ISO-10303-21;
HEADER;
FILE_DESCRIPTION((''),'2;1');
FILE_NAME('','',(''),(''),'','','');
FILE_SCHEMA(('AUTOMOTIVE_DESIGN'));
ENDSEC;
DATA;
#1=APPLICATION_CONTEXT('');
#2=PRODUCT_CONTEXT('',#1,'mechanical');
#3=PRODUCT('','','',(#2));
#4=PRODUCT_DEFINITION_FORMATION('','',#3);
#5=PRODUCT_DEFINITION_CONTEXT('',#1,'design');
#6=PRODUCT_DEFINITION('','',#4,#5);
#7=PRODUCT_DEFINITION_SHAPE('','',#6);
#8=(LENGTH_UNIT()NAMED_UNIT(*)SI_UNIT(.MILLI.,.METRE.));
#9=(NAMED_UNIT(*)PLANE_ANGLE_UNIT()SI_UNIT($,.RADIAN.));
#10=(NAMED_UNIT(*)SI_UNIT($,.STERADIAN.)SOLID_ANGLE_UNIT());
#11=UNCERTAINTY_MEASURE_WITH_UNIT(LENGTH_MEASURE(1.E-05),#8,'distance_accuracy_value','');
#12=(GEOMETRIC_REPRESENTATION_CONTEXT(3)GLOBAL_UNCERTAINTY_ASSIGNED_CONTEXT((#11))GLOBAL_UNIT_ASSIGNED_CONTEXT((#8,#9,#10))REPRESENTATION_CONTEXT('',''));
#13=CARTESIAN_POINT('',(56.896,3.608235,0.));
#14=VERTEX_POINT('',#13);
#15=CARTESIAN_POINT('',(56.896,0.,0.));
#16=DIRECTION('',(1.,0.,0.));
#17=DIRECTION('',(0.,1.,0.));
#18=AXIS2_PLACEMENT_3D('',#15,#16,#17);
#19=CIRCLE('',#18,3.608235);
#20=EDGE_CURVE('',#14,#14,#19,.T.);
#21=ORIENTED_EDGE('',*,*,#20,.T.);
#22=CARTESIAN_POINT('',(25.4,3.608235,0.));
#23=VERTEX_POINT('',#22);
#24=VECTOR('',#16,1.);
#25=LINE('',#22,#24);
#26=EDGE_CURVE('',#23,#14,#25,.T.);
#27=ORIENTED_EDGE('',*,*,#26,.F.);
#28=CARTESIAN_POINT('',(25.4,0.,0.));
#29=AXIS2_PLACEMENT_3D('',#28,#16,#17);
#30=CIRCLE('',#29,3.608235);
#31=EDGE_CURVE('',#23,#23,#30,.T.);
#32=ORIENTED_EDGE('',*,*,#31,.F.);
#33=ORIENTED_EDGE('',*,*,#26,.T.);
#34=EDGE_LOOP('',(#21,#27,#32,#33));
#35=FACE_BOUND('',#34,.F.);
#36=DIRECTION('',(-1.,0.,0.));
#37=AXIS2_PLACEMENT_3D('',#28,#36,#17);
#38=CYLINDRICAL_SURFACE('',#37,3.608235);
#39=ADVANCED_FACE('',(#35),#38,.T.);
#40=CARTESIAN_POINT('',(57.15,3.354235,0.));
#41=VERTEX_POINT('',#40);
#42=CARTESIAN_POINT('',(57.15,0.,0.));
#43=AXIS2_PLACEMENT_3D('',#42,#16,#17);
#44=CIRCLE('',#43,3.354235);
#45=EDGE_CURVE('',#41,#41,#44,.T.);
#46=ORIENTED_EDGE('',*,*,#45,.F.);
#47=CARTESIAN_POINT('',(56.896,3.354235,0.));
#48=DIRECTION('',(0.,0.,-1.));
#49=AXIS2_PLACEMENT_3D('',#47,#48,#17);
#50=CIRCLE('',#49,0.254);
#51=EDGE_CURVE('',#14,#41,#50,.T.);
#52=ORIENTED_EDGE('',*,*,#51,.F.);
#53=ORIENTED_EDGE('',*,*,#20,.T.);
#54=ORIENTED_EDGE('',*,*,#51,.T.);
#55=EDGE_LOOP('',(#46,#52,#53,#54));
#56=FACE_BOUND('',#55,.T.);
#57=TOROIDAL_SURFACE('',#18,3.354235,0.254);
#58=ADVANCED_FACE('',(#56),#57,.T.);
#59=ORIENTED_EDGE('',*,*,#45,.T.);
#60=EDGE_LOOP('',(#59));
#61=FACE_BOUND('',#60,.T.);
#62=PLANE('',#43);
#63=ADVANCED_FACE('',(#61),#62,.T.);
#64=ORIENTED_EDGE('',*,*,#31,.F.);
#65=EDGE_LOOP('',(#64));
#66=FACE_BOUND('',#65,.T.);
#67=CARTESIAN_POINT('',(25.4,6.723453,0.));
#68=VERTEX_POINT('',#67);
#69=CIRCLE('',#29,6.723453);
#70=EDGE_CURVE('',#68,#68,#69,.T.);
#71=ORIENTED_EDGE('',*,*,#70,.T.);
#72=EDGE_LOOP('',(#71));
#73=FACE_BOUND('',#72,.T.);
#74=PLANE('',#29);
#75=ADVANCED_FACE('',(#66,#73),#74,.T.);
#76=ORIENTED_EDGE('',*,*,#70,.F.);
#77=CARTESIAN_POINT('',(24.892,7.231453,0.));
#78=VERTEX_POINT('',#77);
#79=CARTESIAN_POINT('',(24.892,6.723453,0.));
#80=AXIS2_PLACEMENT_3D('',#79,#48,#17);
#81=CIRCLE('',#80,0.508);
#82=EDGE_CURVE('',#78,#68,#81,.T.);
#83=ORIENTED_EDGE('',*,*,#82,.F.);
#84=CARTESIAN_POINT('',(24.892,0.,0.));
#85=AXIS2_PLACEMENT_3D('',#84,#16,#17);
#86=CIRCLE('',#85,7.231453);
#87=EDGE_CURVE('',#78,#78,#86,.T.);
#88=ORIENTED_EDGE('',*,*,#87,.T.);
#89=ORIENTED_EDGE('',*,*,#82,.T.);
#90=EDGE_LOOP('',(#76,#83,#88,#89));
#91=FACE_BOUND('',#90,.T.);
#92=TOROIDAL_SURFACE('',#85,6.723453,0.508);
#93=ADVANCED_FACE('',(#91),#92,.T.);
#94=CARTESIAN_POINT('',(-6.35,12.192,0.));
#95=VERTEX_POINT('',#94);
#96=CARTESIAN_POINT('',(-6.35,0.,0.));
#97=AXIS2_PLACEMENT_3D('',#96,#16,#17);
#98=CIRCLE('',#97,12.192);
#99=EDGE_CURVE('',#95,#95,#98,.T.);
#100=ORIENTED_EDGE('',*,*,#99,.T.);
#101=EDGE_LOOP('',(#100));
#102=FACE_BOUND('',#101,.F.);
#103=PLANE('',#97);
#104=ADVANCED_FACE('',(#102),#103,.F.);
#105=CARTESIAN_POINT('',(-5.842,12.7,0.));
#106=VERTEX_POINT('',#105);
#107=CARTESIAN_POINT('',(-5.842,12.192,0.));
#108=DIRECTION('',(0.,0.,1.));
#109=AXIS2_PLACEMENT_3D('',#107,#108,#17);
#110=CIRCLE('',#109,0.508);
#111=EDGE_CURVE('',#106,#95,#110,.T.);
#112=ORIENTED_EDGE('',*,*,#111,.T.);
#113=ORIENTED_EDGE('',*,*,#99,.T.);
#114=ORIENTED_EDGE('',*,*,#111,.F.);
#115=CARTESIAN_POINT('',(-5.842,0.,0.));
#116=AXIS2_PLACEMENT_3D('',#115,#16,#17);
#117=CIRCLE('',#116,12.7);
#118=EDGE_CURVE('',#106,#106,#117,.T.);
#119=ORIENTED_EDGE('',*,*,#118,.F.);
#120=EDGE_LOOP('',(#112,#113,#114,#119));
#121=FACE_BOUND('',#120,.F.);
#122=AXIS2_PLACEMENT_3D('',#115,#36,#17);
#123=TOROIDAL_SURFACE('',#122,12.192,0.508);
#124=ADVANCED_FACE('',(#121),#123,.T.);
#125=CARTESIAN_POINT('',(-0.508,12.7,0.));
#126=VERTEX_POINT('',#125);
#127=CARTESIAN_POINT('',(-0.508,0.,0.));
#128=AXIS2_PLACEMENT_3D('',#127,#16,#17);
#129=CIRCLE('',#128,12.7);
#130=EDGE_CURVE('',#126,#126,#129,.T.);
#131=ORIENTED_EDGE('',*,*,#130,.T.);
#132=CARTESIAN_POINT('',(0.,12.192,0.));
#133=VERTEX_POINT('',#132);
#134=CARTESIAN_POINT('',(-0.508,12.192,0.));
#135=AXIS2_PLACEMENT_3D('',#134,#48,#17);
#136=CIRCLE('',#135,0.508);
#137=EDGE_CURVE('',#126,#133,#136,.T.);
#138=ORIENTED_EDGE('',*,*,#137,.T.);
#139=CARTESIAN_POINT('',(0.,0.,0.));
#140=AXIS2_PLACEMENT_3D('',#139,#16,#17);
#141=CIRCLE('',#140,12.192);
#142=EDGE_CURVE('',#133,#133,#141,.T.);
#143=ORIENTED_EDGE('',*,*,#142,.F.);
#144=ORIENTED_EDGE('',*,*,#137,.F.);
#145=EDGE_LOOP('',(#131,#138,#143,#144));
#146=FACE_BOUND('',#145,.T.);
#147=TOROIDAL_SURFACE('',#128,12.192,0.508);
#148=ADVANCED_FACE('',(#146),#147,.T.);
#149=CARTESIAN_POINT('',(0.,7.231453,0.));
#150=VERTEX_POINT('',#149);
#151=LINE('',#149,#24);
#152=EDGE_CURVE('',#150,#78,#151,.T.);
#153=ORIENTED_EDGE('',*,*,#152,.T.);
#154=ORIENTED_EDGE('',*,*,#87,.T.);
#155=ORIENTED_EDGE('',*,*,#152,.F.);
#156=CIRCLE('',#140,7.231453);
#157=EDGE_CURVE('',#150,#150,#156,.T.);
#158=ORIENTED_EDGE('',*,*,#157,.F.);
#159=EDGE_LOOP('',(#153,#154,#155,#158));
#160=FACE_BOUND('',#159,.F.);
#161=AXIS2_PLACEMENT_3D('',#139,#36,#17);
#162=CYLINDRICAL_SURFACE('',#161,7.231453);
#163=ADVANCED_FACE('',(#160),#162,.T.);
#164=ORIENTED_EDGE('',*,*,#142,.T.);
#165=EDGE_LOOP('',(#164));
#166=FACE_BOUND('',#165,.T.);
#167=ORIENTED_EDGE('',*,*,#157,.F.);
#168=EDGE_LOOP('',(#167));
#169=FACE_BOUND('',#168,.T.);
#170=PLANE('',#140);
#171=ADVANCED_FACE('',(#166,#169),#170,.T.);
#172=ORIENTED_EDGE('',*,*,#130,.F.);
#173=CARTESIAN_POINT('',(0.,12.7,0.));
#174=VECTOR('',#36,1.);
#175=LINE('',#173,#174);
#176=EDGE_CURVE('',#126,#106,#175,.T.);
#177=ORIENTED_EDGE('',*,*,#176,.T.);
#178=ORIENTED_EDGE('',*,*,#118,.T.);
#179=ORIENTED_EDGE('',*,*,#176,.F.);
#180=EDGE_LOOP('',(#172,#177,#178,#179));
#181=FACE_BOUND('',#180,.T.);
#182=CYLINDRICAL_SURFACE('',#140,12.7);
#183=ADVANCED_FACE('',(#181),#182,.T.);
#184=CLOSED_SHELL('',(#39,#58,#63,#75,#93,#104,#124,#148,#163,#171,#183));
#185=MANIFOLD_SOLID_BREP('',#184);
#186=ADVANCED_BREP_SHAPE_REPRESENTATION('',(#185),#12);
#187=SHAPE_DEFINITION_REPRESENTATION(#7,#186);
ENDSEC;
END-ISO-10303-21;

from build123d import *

# Parameters (mm, degrees)
F0_R     = 12.7
F1_DEPTH = 6.35
F2_R     = 7.231453
F3_DEPTH = 25.4
F4_R     = 3.608235
F5_DEPTH = 31.75
F6_R     = 0.508
F7_R     = 0.508
F8_R     = 0.508
F9_R     = 0.254


with BuildPart() as f1:
    # F0 (on Right) → F1 (new body)
    with BuildSketch(Plane.YZ):
        Circle(F0_R)
    extrude(amount=-F1_DEPTH)

    # F2 (on Right) → F3 (join)
    with BuildSketch(Plane.YZ):
        Circle(F2_R)
    extrude(amount=F3_DEPTH)

    # F4 (on face) → F5 (join)
    with BuildSketch(Plane.YZ.offset(25.4)):
        Circle(F4_R)
    extrude(amount=F5_DEPTH)

    # F6
    f6_edges = [f1.edges().sort_by_distance(p)[0] for p in [
        (-6.35, -12.7, 0),
    ]]
    fillet(f6_edges, radius=F6_R)

    # F7
    f7_edges = [f1.edges().sort_by_distance(p)[0] for p in [
        (0, -12.7, 0),
    ]]
    fillet(f7_edges, radius=F7_R)

    # F8
    f8_edges = [f1.edges().sort_by_distance(p)[0] for p in [
        (25.4, -7.231453, 0),
    ]]
    fillet(f8_edges, radius=F8_R)

    # F9
    f9_edges = [f1.edges().sort_by_distance(p)[0] for p in [
        (57.15, -3.608235, 0),
    ]]
    fillet(f9_edges, radius=F9_R)


solid = f1.part
